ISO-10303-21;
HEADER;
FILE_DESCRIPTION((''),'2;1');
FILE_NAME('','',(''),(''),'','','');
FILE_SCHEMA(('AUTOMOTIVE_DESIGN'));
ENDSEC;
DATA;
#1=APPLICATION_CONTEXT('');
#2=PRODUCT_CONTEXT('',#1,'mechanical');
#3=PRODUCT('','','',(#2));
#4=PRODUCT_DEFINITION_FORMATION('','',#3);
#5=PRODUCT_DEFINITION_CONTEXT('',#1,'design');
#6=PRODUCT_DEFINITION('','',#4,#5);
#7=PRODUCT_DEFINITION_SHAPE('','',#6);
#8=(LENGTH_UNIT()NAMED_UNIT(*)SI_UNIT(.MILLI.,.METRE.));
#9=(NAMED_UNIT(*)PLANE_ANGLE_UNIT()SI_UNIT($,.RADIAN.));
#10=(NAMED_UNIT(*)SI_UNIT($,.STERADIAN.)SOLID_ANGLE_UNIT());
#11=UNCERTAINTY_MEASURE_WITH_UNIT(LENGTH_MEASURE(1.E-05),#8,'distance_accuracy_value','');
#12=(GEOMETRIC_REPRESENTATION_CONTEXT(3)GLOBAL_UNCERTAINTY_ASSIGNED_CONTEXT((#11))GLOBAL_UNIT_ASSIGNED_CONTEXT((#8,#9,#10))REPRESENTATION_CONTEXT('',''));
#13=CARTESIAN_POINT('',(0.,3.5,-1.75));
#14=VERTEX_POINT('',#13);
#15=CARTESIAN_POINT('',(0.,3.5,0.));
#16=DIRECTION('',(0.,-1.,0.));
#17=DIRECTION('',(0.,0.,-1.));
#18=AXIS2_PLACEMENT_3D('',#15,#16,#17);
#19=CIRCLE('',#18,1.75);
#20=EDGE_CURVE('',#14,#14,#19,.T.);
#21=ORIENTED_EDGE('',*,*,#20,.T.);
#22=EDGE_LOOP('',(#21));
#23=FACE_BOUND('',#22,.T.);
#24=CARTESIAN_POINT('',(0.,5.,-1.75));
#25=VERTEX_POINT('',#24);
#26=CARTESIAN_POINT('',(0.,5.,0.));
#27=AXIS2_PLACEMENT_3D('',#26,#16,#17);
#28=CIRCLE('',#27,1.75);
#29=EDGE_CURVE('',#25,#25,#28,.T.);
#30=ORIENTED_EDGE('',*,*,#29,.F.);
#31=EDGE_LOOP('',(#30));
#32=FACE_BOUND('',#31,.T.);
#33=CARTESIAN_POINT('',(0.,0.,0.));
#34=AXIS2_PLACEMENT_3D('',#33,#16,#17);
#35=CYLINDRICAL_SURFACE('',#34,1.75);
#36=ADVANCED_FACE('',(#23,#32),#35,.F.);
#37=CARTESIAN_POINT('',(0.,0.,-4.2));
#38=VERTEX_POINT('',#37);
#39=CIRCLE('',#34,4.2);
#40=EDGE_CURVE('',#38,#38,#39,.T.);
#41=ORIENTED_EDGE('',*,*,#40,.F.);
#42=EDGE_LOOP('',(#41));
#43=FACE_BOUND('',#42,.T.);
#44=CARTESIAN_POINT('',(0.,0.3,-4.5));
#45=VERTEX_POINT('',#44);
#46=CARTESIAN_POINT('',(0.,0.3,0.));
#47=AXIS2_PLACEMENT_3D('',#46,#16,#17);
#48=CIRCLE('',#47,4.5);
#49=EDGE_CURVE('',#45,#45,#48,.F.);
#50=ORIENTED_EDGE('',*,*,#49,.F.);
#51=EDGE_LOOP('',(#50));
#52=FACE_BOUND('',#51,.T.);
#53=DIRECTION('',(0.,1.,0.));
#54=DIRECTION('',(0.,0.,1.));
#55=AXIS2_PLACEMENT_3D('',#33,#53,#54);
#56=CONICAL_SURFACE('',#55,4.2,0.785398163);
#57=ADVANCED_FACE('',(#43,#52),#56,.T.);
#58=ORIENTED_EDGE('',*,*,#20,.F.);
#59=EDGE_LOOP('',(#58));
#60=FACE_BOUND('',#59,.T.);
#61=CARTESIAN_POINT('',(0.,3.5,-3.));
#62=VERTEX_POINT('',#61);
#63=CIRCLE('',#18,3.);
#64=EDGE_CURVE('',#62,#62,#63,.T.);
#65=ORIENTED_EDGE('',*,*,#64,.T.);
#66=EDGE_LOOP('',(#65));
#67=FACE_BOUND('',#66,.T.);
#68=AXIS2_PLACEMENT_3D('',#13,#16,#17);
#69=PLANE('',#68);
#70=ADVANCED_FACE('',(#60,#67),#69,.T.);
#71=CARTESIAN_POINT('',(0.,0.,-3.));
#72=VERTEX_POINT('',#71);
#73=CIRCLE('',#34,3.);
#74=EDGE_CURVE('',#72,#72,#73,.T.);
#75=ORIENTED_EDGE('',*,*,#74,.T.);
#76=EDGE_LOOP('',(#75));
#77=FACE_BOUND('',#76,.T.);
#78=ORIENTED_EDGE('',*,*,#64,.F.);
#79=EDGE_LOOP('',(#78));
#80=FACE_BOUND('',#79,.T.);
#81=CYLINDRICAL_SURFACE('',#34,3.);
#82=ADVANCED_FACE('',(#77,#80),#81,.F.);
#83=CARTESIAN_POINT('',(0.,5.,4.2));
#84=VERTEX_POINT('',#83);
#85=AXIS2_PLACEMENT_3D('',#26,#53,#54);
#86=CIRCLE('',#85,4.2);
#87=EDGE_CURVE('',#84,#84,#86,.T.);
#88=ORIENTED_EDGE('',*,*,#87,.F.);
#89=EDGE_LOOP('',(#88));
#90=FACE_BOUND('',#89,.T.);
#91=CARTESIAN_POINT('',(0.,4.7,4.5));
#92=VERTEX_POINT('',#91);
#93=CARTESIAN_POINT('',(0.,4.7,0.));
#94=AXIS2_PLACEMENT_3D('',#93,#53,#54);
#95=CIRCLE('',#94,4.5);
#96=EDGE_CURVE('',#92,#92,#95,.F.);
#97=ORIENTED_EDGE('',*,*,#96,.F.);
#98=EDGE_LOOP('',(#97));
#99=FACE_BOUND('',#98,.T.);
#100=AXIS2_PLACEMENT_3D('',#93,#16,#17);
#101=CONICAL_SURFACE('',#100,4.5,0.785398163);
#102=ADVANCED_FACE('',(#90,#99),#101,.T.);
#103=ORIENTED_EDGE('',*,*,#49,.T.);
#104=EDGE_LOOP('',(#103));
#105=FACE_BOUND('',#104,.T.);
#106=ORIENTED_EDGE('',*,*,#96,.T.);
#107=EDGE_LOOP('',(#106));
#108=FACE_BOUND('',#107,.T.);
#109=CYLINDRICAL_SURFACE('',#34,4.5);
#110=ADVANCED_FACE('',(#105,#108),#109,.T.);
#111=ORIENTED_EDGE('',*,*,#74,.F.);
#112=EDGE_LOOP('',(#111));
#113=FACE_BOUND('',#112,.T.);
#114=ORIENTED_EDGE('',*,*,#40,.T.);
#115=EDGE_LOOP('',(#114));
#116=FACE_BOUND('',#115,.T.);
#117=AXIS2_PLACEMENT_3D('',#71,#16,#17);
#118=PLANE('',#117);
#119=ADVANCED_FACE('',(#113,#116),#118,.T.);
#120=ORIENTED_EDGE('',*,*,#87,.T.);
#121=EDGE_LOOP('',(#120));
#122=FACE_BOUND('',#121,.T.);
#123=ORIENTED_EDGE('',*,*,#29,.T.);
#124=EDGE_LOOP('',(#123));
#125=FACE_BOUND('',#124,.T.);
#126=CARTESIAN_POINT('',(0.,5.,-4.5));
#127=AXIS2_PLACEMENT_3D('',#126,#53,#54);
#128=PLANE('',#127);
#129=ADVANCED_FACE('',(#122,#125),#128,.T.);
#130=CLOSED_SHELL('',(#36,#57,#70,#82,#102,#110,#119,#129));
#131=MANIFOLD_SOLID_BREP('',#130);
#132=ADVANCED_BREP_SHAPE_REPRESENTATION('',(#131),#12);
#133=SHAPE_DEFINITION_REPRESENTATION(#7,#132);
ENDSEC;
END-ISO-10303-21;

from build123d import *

# Parameters (mm, degrees)
CHAMFER1_SIZE = 0.3


with BuildPart() as part:
    # Sketch2 → Revolve1 (revolve)
    with BuildSketch(Plane(origin=(0, 0, 0), x_dir=(0, 0, -1), z_dir=(1, 0, 0))):
        Polygon((1.75, 5), (1.75, 3.5), (3, 3.5), (3, 0), (4.5, 0), (4.5, 5), align=None)
    revolve(axis=Axis((0, 0, 0), (0, 1, 0)))

    # Chamfer1
    chamfer1_edges = [part.edges().sort_by_distance(p)[0] for p in [
        (0, 5, 4.5),
        (0, 0, 4.5),
    ]]
    chamfer(chamfer1_edges, length=CHAMFER1_SIZE)


solid = part.part
